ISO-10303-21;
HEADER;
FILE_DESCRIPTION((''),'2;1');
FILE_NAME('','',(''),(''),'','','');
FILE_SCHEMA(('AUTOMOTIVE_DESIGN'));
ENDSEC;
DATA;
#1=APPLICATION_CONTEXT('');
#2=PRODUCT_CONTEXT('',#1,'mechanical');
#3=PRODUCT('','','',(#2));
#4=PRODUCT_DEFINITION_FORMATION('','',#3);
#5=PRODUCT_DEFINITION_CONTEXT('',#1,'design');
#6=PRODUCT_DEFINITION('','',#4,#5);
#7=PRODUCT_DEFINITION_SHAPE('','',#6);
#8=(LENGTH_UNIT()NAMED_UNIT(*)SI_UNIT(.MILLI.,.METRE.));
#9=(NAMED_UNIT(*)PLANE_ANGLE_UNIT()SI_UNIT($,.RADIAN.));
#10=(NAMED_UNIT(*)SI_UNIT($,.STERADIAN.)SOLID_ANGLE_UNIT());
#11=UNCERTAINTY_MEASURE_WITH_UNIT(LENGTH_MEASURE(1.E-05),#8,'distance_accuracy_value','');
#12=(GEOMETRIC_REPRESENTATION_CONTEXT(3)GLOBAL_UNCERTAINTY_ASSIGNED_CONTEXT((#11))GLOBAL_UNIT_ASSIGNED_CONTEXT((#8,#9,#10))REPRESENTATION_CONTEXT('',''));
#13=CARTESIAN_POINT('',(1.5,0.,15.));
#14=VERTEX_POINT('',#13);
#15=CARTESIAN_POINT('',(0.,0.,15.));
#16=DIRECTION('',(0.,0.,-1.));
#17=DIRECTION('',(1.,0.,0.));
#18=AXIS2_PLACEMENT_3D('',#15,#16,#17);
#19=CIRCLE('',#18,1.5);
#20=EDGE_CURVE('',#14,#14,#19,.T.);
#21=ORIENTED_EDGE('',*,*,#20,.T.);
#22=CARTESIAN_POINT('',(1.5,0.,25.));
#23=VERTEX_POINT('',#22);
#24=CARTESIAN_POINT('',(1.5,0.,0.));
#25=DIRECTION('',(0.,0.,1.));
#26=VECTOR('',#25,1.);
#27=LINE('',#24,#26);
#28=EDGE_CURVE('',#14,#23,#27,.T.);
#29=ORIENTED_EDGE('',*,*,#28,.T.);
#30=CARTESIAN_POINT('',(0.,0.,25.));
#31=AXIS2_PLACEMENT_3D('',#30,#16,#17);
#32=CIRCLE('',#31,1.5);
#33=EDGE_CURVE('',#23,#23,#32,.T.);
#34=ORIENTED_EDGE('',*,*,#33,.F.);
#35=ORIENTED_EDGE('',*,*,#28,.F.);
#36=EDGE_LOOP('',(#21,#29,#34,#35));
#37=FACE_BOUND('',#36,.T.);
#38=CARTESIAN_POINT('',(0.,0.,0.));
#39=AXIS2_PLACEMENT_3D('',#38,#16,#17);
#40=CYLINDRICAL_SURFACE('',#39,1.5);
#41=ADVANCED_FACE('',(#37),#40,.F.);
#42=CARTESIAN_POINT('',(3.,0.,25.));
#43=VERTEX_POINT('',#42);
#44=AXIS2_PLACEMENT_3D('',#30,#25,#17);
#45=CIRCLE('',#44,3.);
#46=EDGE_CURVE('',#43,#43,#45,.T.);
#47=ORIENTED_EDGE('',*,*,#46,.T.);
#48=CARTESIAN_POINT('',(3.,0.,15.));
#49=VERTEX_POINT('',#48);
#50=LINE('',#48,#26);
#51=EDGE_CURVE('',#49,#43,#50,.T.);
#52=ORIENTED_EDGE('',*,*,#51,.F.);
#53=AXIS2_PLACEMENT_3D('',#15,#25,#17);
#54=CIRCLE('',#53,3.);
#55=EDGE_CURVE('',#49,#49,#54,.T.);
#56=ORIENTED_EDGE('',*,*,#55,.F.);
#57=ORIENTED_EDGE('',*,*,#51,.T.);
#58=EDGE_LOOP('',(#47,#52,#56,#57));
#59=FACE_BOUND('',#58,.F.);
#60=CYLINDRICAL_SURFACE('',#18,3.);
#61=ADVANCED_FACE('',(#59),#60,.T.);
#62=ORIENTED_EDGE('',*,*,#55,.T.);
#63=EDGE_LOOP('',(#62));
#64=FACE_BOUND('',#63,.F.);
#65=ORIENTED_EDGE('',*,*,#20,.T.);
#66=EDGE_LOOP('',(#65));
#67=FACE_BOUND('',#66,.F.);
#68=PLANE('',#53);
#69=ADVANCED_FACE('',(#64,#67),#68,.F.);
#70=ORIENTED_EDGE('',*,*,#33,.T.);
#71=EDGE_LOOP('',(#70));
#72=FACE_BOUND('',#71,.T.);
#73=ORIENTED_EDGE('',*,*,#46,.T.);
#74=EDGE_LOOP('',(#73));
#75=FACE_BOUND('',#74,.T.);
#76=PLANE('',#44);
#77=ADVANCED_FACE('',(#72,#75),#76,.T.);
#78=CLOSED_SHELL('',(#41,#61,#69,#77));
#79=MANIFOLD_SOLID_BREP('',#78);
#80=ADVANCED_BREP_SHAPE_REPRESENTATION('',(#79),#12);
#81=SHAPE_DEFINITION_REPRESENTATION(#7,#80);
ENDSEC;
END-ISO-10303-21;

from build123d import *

# Parameters (mm, degrees)
CYLINDER003_R     = 1.5
CYLINDER003_DEPTH = 30
CYLINDER001_R     = 3
CYLINDER001_DEPTH = 10


with BuildPart() as screw_cutout:
    # Cylinder003 → Cylinder003 (new body)
    with BuildSketch(Plane.XY):
        Circle(CYLINDER003_R)
    extrude(amount=CYLINDER003_DEPTH)


with BuildPart() as cut:
    # Cylinder001 → Cylinder001 (new body)
    with BuildSketch(Plane.XY.offset(15)):
        Circle(CYLINDER001_R)
    extrude(amount=CYLINDER001_DEPTH)

    # Cut: cut screw cutout
    add(screw_cutout.part, mode=Mode.SUBTRACT)


solid = cut.part
